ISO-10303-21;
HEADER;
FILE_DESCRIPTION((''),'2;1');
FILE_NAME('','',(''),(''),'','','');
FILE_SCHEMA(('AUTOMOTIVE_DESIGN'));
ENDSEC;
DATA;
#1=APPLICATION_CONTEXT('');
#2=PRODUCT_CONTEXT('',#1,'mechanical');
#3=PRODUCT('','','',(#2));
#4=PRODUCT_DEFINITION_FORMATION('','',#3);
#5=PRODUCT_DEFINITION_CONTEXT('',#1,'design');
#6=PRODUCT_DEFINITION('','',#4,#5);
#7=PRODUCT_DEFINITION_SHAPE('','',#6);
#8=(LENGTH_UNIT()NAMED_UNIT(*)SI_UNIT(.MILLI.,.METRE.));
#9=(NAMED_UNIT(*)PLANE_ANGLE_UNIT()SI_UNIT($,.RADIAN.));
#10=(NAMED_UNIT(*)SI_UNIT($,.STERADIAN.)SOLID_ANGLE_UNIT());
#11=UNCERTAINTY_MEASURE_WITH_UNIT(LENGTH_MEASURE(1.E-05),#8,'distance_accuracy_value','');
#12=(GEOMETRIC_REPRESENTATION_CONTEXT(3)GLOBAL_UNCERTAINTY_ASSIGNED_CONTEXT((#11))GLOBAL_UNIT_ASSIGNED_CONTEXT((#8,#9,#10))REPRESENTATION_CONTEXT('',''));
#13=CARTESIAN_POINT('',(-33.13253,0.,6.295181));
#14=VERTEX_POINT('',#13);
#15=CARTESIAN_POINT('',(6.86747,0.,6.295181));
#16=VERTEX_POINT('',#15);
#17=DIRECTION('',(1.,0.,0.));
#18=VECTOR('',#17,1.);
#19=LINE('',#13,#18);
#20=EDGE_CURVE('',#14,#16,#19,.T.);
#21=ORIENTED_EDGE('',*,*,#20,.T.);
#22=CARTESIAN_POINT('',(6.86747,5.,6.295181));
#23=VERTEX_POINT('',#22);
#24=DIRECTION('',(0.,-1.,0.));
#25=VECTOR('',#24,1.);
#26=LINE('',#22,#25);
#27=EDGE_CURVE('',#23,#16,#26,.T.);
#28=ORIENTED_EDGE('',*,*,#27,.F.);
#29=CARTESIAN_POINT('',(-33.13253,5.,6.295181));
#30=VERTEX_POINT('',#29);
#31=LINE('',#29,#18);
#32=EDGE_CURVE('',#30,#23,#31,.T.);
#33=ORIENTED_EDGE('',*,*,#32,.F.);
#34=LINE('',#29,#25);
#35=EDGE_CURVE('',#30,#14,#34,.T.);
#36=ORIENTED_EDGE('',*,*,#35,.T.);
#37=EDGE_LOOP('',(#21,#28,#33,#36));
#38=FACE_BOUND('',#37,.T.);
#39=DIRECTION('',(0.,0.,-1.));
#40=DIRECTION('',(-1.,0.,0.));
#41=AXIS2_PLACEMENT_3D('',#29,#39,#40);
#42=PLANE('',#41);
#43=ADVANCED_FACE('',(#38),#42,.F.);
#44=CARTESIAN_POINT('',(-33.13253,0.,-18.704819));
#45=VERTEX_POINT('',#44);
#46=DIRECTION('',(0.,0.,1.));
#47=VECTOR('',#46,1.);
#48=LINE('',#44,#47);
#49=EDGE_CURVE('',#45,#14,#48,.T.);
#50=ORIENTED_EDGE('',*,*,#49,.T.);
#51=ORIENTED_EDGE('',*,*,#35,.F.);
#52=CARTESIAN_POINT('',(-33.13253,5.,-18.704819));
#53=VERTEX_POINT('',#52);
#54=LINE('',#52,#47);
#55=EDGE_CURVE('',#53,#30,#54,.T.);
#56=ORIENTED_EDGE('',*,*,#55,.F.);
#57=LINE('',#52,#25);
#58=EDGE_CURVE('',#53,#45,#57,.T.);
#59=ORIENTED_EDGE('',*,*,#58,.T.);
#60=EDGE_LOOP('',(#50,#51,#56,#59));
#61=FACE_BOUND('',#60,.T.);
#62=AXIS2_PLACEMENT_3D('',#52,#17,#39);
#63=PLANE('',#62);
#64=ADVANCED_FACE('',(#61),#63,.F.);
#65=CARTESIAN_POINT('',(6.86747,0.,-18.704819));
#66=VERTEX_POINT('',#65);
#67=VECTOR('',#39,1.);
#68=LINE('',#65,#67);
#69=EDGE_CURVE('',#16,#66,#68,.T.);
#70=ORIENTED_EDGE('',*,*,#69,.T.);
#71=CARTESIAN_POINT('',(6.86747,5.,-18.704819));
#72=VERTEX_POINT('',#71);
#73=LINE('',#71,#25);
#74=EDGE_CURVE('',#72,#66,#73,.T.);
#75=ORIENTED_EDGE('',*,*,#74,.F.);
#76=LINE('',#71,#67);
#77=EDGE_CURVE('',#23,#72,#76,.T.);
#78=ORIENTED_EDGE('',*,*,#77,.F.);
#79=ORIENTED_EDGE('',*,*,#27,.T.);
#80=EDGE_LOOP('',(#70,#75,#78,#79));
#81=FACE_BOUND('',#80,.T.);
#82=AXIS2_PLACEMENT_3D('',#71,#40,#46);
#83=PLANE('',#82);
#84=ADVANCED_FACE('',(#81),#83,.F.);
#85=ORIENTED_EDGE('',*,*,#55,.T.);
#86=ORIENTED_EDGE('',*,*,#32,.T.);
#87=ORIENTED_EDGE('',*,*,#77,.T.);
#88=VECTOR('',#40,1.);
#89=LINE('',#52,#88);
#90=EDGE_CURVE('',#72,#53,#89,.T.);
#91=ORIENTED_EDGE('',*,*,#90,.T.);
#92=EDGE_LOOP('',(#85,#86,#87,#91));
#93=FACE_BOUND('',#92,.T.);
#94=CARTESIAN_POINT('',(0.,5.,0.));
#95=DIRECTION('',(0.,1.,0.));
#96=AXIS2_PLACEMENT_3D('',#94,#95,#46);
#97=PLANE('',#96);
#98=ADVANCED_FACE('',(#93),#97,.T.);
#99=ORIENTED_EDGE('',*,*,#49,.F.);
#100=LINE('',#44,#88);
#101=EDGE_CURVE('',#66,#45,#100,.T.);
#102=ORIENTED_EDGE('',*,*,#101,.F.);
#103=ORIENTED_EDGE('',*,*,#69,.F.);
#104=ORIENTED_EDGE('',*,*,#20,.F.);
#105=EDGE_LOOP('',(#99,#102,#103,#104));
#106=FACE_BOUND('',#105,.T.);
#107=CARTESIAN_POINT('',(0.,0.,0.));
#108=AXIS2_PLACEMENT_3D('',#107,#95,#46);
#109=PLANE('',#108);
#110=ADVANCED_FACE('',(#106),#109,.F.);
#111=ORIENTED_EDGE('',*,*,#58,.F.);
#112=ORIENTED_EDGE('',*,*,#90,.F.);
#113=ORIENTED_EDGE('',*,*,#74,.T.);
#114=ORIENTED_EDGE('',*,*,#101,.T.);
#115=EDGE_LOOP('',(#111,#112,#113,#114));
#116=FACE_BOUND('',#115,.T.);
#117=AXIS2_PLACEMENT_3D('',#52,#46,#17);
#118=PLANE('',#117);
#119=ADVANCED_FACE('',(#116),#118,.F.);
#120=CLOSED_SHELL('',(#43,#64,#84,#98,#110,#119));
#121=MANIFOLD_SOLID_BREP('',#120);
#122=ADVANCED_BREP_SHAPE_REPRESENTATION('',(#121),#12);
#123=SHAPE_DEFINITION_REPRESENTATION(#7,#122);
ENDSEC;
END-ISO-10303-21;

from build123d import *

# Parameters (mm, degrees)
SKETCH_1_W      = 40
SKETCH_1_H      = 25
EXTRUDE_1_DEPTH = 5


with BuildPart() as part:
    # 草图1 → 凸台-拉伸1 (new body)
    with BuildSketch(Plane(origin=(0, 0, 0), x_dir=(1, 0, 0), z_dir=(0, 1, 0))):
        with Locations((-13.13253012, 6.204819277)):
            Rectangle(SKETCH_1_W, SKETCH_1_H)
    extrude(amount=EXTRUDE_1_DEPTH)


solid = part.part
